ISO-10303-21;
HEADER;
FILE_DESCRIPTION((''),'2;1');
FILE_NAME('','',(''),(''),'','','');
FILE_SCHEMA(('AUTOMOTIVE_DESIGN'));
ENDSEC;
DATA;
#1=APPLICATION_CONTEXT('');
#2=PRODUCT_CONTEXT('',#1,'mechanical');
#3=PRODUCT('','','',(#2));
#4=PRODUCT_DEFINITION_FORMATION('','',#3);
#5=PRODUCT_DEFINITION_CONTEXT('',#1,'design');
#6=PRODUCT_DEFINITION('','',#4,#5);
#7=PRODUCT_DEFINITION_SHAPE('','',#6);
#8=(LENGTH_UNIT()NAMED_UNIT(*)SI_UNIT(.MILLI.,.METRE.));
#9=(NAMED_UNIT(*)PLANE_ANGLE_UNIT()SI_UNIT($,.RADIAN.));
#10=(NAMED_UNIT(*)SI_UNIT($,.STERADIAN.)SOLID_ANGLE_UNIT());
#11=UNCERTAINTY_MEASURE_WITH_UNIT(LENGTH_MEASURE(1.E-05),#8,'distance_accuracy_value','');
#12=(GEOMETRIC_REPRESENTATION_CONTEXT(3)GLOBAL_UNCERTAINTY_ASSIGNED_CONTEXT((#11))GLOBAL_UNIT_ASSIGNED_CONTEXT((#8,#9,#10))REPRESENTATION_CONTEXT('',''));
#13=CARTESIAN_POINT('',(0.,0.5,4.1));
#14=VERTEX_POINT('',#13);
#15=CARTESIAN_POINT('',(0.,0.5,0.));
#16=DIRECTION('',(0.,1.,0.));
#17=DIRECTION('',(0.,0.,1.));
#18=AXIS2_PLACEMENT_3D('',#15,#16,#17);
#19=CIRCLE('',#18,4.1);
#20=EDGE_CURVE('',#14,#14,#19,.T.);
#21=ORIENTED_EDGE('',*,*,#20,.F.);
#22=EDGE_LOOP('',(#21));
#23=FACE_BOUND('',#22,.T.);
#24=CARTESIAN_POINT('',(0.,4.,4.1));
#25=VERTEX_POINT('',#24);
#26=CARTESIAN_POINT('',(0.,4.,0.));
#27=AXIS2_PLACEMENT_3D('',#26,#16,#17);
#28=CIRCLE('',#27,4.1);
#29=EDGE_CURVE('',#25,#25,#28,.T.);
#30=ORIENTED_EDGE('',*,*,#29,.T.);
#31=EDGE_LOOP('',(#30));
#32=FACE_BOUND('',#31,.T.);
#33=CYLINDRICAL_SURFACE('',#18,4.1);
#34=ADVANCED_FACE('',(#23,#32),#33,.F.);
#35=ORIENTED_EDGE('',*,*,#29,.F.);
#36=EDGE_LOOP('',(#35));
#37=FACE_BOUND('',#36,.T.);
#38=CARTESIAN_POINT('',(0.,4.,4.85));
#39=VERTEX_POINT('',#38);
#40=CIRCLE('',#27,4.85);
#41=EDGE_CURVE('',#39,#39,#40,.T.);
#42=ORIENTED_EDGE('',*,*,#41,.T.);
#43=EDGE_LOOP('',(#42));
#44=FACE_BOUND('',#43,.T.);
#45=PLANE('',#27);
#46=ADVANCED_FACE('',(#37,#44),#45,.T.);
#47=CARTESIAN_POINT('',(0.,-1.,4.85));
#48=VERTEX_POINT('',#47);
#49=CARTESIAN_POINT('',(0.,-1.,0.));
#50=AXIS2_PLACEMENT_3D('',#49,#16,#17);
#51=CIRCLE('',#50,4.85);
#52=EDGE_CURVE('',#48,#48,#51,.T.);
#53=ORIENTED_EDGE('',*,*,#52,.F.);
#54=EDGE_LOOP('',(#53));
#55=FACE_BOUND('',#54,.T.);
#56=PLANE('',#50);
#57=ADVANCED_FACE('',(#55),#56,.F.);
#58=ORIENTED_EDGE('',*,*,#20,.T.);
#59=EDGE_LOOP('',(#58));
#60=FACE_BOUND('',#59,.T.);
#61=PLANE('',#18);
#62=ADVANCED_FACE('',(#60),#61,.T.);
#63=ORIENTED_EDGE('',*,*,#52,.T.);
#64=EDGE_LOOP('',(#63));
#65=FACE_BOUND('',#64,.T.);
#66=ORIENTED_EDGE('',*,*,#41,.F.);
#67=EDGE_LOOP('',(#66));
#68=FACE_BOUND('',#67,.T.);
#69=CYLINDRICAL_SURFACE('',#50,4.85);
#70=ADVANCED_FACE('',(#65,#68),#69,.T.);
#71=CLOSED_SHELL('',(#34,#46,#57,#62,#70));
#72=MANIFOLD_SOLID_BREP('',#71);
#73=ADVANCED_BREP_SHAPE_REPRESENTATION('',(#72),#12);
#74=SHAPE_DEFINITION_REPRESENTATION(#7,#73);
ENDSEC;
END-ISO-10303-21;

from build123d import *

# Parameters (mm, degrees)
SKETCH1_R                = 4.85
BOSS_EXTRUDE1_DEPTH      = 4
BOSS_EXTRUDE1_DEPTH_BACK = 1
SKETCH2_R                = 4.1
CUT_EXTRUDE1_DEPTH       = 3.5


with BuildPart() as part:
    # Sketch1 → Boss-Extrude1 (new body, two sides)
    with BuildSketch(Plane(origin=(0, 0, 0), x_dir=(1, 0, 0), z_dir=(0, 1, 0))) as boss_extrude1_sk:
        Circle(SKETCH1_R)
    extrude(amount=BOSS_EXTRUDE1_DEPTH)
    extrude(boss_extrude1_sk.sketch, amount=-BOSS_EXTRUDE1_DEPTH_BACK)

    # Sketch2 → Cut-Extrude1 (cut)
    with BuildSketch(Plane(origin=(0, 4, 0), x_dir=(1, 0, 0), z_dir=(0, 1, 0))):
        Circle(SKETCH2_R)
    extrude(amount=-CUT_EXTRUDE1_DEPTH, mode=Mode.SUBTRACT)


solid = part.part
